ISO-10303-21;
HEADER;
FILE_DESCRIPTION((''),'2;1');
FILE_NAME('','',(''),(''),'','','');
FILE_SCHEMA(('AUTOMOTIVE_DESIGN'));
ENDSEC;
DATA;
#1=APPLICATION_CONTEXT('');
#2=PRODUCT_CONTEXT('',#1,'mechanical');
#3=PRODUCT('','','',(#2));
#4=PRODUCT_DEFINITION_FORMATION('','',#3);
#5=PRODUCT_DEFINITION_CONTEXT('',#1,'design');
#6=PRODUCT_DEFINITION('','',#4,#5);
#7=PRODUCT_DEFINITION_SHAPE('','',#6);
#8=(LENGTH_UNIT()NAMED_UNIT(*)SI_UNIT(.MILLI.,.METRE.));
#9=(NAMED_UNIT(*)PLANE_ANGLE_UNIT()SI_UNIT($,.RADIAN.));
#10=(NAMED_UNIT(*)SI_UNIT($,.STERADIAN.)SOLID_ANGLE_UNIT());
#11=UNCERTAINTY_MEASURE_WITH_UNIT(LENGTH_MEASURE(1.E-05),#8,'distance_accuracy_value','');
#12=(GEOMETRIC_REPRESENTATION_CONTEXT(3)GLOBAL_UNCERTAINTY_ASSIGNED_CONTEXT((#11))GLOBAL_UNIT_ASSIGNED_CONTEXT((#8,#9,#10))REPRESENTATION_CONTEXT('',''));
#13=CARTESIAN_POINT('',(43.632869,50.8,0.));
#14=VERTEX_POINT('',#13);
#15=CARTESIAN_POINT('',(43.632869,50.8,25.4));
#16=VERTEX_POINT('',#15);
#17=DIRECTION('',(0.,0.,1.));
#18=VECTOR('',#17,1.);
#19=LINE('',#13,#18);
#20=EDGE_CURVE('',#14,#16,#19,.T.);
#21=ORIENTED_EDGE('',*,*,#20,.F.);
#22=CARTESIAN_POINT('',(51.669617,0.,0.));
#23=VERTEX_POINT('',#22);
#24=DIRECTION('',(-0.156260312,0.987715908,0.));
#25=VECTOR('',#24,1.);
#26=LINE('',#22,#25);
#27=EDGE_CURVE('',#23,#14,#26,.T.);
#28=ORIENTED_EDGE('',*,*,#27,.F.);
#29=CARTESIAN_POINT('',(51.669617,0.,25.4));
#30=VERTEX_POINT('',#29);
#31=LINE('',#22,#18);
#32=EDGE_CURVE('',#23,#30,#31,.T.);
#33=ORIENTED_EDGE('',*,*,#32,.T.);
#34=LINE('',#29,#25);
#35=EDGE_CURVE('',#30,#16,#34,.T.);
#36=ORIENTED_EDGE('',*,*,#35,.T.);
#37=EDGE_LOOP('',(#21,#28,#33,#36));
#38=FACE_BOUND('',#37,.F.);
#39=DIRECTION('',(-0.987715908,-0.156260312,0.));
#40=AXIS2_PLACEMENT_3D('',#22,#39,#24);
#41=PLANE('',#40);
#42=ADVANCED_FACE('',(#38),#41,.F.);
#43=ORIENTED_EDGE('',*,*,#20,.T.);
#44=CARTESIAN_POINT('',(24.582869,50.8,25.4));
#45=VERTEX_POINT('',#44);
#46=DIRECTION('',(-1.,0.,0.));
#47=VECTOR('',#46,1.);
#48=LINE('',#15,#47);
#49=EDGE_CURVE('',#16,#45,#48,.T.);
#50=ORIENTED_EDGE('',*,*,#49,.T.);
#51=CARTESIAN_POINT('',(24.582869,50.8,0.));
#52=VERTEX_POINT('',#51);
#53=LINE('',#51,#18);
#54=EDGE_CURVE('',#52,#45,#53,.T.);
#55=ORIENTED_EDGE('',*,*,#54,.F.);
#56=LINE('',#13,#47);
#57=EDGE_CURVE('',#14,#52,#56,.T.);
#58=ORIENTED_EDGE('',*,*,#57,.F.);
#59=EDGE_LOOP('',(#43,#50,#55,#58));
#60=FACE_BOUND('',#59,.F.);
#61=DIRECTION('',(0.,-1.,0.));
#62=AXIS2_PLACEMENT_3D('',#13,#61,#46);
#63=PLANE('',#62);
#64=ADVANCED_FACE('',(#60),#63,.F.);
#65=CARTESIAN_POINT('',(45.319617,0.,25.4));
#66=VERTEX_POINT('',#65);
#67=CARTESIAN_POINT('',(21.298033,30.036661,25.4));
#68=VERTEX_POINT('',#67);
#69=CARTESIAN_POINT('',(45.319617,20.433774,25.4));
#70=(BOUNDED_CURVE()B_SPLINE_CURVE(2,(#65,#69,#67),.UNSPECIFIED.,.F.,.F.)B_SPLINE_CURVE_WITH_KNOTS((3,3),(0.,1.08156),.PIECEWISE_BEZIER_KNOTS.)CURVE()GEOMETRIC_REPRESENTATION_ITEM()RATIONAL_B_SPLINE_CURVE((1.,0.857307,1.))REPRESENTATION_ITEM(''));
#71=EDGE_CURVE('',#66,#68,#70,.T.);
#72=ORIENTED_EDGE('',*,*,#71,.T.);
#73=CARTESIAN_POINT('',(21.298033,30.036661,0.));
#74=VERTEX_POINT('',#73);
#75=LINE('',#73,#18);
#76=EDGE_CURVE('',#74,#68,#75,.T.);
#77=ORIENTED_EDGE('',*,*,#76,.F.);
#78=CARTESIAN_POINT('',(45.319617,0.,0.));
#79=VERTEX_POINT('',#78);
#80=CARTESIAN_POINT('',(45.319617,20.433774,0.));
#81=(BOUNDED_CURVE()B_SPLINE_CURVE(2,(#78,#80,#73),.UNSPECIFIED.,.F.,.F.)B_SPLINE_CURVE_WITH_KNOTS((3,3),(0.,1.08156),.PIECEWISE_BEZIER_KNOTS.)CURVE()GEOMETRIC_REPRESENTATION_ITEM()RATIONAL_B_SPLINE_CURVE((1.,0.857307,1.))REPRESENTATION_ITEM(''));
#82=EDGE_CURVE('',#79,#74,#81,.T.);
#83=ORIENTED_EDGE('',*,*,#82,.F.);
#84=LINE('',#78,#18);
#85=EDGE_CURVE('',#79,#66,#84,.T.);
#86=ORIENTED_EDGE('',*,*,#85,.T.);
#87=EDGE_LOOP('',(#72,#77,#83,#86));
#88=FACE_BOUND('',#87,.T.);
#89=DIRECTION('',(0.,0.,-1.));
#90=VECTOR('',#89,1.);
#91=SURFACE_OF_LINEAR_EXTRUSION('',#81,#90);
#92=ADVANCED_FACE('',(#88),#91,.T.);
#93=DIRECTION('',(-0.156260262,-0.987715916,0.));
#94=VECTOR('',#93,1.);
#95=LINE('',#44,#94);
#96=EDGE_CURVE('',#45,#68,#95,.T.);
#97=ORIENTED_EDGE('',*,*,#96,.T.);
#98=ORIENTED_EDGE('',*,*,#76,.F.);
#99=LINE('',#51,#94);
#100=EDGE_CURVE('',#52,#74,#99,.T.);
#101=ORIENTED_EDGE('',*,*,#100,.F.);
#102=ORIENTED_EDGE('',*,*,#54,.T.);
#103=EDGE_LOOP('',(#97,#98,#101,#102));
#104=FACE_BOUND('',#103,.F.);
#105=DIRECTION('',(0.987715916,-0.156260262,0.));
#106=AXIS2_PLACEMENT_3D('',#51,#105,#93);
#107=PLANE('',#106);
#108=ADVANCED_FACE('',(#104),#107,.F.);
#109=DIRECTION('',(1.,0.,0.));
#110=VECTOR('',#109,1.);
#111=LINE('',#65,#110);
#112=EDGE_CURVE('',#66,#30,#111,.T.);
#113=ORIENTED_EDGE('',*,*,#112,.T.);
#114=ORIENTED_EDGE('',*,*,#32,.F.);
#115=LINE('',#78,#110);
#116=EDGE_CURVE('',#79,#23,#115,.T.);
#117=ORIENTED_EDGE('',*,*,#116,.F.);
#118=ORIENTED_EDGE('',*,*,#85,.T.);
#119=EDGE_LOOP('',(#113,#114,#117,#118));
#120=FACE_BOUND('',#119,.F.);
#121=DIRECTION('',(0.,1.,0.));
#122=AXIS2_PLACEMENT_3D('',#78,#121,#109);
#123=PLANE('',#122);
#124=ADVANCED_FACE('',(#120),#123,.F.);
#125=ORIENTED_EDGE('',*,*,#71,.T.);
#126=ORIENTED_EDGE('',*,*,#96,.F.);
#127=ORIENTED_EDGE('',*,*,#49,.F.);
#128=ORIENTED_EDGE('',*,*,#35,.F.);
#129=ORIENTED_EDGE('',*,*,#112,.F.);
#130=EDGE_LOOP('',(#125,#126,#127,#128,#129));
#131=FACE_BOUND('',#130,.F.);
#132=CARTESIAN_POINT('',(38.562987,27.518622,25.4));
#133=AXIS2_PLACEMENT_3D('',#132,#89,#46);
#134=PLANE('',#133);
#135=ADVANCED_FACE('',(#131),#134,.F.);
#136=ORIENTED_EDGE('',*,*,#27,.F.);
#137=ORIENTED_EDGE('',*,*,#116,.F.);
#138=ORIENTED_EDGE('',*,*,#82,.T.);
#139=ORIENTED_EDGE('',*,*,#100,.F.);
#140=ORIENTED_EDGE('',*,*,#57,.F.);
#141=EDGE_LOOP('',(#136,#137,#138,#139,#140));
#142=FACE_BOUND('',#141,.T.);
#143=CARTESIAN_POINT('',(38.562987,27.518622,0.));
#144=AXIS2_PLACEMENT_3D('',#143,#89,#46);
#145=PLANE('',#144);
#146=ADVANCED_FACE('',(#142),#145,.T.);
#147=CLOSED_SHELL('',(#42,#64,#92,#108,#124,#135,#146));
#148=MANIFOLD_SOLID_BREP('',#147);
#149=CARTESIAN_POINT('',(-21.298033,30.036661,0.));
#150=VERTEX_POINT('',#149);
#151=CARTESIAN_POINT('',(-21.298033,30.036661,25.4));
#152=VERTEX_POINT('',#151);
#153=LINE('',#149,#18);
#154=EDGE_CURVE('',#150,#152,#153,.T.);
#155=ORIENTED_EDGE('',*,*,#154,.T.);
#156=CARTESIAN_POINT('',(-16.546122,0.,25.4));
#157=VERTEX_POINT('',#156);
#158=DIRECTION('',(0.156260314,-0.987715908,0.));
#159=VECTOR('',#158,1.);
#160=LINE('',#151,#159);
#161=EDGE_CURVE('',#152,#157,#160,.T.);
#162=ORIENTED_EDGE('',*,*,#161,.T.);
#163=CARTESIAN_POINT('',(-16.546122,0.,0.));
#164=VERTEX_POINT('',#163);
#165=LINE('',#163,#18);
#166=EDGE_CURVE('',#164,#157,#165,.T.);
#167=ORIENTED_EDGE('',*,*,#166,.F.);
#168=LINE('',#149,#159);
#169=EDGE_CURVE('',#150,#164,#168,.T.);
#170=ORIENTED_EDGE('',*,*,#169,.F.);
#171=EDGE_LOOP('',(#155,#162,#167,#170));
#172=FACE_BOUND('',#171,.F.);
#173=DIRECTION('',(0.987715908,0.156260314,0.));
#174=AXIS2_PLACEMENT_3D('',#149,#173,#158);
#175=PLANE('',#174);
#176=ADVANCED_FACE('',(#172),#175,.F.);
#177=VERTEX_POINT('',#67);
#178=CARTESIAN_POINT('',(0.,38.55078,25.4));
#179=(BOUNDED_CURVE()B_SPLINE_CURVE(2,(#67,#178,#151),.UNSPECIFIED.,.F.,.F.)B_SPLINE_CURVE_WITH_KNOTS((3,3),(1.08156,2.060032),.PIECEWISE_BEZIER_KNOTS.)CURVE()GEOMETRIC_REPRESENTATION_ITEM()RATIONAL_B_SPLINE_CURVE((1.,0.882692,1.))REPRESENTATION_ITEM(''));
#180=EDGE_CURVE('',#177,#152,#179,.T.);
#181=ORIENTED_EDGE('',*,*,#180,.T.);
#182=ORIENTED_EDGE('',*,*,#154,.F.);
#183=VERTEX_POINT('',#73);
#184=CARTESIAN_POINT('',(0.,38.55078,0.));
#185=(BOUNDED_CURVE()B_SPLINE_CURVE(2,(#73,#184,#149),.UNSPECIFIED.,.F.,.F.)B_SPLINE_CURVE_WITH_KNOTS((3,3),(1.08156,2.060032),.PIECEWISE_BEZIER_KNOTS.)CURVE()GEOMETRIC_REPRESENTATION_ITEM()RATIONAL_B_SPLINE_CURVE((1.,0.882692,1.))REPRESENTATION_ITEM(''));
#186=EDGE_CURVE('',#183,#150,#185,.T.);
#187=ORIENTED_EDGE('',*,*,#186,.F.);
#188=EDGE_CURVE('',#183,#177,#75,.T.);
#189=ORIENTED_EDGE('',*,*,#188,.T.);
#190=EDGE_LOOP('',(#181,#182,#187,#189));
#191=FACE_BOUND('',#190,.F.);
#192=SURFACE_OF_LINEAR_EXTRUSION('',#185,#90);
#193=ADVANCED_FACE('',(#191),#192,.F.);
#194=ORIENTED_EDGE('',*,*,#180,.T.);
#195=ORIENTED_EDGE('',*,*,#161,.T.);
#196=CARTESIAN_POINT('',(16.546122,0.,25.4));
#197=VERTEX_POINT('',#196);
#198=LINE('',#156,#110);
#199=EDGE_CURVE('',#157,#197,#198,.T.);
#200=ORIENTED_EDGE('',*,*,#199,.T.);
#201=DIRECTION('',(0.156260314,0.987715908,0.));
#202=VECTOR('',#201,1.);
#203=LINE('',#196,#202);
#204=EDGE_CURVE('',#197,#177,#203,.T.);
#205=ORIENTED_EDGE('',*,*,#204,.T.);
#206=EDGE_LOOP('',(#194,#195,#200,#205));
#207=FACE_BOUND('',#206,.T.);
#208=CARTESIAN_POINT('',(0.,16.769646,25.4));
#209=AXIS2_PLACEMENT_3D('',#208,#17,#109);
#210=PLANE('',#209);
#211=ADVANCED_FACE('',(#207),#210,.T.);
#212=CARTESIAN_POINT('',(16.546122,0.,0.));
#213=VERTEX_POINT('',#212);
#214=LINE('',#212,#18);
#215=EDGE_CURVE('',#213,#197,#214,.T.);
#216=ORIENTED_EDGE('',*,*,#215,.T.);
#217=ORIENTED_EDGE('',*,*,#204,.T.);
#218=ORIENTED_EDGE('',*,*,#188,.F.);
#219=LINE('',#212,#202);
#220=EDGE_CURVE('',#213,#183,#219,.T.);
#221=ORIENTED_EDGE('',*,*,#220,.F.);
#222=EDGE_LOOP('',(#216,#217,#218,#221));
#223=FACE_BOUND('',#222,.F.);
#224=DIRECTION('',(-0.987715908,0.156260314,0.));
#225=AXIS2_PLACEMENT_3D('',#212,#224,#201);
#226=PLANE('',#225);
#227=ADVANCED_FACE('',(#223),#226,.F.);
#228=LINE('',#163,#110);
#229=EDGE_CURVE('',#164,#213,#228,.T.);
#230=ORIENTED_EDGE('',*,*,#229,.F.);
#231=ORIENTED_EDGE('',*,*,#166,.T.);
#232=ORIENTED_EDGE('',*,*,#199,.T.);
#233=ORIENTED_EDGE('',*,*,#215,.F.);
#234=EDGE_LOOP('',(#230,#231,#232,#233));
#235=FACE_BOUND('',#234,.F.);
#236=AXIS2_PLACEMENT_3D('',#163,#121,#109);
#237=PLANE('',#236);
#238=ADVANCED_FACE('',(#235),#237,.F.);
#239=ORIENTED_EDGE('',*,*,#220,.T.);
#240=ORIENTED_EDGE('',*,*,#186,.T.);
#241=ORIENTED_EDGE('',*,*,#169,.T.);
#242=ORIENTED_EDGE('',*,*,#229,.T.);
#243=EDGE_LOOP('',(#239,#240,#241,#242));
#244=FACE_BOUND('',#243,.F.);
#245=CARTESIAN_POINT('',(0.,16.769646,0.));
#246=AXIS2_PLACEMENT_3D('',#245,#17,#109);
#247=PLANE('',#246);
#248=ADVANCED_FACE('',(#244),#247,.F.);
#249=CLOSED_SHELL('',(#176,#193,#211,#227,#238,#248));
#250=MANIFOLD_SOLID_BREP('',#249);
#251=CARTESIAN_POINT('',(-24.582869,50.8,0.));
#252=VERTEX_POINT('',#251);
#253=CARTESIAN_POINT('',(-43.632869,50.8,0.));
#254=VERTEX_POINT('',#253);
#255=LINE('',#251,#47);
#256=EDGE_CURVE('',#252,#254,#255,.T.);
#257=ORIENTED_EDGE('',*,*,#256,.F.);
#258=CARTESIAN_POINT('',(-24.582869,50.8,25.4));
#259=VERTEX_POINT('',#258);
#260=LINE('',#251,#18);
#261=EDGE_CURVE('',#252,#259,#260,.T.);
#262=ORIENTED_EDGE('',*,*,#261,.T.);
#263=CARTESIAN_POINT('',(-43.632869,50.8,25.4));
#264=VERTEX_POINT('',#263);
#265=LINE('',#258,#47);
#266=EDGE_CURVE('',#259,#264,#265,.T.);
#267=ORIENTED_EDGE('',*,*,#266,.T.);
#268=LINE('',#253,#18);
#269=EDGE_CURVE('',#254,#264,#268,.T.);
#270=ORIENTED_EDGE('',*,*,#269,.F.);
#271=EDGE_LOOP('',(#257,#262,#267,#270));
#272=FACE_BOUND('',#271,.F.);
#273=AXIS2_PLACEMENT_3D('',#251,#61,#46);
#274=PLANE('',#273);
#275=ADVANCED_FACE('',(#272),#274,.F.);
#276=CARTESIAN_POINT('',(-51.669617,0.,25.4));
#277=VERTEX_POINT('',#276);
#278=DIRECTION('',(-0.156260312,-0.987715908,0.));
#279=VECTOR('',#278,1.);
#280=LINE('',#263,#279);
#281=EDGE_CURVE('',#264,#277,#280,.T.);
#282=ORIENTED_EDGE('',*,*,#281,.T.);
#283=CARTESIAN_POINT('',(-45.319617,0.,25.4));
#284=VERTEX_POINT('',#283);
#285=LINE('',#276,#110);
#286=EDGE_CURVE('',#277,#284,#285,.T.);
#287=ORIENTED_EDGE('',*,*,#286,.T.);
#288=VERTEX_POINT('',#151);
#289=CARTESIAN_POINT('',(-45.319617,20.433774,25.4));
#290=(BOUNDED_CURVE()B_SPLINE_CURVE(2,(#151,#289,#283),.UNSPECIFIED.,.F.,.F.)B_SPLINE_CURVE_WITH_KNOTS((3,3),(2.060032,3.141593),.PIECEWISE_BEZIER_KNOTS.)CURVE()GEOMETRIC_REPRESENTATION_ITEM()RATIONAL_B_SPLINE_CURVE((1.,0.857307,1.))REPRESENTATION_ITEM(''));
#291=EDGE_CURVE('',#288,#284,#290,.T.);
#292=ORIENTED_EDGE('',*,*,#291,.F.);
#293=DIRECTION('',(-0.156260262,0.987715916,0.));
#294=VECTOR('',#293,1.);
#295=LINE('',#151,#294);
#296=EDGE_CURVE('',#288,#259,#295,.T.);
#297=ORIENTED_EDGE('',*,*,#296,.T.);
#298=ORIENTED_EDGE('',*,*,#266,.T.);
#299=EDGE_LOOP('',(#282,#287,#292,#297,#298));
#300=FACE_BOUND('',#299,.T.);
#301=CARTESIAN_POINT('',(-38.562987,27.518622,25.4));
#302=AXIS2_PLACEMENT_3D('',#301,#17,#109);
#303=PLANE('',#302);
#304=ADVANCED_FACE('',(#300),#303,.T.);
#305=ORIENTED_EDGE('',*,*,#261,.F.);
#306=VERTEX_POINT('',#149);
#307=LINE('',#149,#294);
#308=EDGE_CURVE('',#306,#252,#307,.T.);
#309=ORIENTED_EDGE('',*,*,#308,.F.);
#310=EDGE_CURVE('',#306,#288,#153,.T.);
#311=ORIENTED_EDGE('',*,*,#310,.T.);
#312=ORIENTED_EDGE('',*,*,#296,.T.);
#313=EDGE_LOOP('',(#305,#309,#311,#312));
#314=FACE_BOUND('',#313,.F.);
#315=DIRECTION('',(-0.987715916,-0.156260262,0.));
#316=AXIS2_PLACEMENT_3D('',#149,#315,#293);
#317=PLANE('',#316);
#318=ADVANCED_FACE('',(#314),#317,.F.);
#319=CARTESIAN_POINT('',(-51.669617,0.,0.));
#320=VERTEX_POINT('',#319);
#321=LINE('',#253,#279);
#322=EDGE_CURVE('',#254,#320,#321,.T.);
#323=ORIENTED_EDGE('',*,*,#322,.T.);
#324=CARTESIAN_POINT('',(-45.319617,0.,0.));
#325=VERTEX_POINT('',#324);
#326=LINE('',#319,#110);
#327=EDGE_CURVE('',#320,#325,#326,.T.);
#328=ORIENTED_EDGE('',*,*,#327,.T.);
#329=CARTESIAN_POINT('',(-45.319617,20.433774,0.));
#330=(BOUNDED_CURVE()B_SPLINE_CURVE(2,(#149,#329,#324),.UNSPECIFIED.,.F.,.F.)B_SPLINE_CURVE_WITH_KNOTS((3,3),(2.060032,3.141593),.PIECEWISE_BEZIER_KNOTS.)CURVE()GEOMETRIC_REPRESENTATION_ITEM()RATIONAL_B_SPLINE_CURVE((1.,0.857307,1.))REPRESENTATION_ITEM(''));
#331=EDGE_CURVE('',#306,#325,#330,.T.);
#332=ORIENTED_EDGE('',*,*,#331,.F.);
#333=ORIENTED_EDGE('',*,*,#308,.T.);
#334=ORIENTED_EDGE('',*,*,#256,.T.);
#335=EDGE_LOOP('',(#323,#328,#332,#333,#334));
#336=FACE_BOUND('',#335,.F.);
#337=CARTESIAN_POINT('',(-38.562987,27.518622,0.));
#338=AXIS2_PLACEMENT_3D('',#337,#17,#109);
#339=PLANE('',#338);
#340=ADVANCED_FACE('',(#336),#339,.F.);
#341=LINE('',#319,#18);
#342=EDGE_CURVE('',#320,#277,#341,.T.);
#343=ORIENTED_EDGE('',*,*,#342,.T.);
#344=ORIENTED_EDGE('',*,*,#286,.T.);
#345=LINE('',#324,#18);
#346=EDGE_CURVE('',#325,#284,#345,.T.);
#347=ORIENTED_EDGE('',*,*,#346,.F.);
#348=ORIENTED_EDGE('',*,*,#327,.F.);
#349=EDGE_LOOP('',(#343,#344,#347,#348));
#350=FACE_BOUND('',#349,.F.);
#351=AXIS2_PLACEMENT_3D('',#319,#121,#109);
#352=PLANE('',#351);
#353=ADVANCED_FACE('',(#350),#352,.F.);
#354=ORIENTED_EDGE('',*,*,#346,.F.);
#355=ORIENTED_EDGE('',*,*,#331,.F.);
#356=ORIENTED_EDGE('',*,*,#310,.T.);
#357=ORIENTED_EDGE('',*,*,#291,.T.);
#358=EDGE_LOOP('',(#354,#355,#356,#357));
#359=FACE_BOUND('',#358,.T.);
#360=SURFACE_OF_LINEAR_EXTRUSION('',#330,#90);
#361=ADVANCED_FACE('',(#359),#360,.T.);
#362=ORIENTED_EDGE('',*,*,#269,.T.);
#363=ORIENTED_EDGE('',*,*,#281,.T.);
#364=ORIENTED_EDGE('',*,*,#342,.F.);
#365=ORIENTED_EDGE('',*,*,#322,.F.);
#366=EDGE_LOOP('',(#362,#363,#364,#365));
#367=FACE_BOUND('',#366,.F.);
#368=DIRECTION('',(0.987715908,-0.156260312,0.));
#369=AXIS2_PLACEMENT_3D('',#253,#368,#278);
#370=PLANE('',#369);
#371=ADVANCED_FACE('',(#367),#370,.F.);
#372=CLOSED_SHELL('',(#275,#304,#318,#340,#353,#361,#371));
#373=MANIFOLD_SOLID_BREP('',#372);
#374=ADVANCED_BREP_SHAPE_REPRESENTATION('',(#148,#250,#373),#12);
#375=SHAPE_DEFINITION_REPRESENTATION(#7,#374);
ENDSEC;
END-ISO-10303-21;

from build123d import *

# Parameters (mm, degrees)
F1_DEPTH = 25.4


with BuildPart() as f1:
    # F0 (on Top) → F1 (new body)
    with BuildSketch(Plane.XY):
        with BuildLine():
            Line((-43.632869, 50.8), (-51.669617, 0))
            Line((-51.669617, 0), (-45.319617, 0))
            add(Edge.make_bspline(
                [(-21.298033, 30.036661), (-45.319617, 20.433774), (-45.319617, 0)],
                knots=[2.060032, 2.060032, 2.060032, 3.141593, 3.141593, 3.141593], degree=2, weights=[1, 0.857307, 1]))
            Line((-21.298033, 30.036661), (-24.582869, 50.8))
            Line((-24.582869, 50.8), (-43.632869, 50.8))
        make_face()
        with BuildLine():
            Line((-21.298033, 30.036661), (-16.546122, 0))
            Line((-16.546122, 0), (16.546122, 0))
            Line((16.546122, 0), (21.298033, 30.036661))
            add(Edge.make_bspline(
                [(21.298033, 30.036661), (0, 38.55078), (-21.298033, 30.036661)],
                knots=[1.08156, 1.08156, 1.08156, 2.060032, 2.060032, 2.060032], degree=2, weights=[1, 0.882692, 1]))
        make_face()
        with BuildLine():
            add(Edge.make_bspline(
                [(45.319617, 0), (45.319617, 20.433774), (21.298033, 30.036661)],
                knots=[0, 0, 0, 1.08156, 1.08156, 1.08156], degree=2, weights=[1, 0.857307, 1]))
            Line((45.319617, 0), (51.669617, 0))
            Line((51.669617, 0), (43.632869, 50.8))
            Line((43.632869, 50.8), (24.582869, 50.8))
            Line((24.582869, 50.8), (21.298033, 30.036661))
        make_face()
    extrude(amount=F1_DEPTH)


solid = f1.part
